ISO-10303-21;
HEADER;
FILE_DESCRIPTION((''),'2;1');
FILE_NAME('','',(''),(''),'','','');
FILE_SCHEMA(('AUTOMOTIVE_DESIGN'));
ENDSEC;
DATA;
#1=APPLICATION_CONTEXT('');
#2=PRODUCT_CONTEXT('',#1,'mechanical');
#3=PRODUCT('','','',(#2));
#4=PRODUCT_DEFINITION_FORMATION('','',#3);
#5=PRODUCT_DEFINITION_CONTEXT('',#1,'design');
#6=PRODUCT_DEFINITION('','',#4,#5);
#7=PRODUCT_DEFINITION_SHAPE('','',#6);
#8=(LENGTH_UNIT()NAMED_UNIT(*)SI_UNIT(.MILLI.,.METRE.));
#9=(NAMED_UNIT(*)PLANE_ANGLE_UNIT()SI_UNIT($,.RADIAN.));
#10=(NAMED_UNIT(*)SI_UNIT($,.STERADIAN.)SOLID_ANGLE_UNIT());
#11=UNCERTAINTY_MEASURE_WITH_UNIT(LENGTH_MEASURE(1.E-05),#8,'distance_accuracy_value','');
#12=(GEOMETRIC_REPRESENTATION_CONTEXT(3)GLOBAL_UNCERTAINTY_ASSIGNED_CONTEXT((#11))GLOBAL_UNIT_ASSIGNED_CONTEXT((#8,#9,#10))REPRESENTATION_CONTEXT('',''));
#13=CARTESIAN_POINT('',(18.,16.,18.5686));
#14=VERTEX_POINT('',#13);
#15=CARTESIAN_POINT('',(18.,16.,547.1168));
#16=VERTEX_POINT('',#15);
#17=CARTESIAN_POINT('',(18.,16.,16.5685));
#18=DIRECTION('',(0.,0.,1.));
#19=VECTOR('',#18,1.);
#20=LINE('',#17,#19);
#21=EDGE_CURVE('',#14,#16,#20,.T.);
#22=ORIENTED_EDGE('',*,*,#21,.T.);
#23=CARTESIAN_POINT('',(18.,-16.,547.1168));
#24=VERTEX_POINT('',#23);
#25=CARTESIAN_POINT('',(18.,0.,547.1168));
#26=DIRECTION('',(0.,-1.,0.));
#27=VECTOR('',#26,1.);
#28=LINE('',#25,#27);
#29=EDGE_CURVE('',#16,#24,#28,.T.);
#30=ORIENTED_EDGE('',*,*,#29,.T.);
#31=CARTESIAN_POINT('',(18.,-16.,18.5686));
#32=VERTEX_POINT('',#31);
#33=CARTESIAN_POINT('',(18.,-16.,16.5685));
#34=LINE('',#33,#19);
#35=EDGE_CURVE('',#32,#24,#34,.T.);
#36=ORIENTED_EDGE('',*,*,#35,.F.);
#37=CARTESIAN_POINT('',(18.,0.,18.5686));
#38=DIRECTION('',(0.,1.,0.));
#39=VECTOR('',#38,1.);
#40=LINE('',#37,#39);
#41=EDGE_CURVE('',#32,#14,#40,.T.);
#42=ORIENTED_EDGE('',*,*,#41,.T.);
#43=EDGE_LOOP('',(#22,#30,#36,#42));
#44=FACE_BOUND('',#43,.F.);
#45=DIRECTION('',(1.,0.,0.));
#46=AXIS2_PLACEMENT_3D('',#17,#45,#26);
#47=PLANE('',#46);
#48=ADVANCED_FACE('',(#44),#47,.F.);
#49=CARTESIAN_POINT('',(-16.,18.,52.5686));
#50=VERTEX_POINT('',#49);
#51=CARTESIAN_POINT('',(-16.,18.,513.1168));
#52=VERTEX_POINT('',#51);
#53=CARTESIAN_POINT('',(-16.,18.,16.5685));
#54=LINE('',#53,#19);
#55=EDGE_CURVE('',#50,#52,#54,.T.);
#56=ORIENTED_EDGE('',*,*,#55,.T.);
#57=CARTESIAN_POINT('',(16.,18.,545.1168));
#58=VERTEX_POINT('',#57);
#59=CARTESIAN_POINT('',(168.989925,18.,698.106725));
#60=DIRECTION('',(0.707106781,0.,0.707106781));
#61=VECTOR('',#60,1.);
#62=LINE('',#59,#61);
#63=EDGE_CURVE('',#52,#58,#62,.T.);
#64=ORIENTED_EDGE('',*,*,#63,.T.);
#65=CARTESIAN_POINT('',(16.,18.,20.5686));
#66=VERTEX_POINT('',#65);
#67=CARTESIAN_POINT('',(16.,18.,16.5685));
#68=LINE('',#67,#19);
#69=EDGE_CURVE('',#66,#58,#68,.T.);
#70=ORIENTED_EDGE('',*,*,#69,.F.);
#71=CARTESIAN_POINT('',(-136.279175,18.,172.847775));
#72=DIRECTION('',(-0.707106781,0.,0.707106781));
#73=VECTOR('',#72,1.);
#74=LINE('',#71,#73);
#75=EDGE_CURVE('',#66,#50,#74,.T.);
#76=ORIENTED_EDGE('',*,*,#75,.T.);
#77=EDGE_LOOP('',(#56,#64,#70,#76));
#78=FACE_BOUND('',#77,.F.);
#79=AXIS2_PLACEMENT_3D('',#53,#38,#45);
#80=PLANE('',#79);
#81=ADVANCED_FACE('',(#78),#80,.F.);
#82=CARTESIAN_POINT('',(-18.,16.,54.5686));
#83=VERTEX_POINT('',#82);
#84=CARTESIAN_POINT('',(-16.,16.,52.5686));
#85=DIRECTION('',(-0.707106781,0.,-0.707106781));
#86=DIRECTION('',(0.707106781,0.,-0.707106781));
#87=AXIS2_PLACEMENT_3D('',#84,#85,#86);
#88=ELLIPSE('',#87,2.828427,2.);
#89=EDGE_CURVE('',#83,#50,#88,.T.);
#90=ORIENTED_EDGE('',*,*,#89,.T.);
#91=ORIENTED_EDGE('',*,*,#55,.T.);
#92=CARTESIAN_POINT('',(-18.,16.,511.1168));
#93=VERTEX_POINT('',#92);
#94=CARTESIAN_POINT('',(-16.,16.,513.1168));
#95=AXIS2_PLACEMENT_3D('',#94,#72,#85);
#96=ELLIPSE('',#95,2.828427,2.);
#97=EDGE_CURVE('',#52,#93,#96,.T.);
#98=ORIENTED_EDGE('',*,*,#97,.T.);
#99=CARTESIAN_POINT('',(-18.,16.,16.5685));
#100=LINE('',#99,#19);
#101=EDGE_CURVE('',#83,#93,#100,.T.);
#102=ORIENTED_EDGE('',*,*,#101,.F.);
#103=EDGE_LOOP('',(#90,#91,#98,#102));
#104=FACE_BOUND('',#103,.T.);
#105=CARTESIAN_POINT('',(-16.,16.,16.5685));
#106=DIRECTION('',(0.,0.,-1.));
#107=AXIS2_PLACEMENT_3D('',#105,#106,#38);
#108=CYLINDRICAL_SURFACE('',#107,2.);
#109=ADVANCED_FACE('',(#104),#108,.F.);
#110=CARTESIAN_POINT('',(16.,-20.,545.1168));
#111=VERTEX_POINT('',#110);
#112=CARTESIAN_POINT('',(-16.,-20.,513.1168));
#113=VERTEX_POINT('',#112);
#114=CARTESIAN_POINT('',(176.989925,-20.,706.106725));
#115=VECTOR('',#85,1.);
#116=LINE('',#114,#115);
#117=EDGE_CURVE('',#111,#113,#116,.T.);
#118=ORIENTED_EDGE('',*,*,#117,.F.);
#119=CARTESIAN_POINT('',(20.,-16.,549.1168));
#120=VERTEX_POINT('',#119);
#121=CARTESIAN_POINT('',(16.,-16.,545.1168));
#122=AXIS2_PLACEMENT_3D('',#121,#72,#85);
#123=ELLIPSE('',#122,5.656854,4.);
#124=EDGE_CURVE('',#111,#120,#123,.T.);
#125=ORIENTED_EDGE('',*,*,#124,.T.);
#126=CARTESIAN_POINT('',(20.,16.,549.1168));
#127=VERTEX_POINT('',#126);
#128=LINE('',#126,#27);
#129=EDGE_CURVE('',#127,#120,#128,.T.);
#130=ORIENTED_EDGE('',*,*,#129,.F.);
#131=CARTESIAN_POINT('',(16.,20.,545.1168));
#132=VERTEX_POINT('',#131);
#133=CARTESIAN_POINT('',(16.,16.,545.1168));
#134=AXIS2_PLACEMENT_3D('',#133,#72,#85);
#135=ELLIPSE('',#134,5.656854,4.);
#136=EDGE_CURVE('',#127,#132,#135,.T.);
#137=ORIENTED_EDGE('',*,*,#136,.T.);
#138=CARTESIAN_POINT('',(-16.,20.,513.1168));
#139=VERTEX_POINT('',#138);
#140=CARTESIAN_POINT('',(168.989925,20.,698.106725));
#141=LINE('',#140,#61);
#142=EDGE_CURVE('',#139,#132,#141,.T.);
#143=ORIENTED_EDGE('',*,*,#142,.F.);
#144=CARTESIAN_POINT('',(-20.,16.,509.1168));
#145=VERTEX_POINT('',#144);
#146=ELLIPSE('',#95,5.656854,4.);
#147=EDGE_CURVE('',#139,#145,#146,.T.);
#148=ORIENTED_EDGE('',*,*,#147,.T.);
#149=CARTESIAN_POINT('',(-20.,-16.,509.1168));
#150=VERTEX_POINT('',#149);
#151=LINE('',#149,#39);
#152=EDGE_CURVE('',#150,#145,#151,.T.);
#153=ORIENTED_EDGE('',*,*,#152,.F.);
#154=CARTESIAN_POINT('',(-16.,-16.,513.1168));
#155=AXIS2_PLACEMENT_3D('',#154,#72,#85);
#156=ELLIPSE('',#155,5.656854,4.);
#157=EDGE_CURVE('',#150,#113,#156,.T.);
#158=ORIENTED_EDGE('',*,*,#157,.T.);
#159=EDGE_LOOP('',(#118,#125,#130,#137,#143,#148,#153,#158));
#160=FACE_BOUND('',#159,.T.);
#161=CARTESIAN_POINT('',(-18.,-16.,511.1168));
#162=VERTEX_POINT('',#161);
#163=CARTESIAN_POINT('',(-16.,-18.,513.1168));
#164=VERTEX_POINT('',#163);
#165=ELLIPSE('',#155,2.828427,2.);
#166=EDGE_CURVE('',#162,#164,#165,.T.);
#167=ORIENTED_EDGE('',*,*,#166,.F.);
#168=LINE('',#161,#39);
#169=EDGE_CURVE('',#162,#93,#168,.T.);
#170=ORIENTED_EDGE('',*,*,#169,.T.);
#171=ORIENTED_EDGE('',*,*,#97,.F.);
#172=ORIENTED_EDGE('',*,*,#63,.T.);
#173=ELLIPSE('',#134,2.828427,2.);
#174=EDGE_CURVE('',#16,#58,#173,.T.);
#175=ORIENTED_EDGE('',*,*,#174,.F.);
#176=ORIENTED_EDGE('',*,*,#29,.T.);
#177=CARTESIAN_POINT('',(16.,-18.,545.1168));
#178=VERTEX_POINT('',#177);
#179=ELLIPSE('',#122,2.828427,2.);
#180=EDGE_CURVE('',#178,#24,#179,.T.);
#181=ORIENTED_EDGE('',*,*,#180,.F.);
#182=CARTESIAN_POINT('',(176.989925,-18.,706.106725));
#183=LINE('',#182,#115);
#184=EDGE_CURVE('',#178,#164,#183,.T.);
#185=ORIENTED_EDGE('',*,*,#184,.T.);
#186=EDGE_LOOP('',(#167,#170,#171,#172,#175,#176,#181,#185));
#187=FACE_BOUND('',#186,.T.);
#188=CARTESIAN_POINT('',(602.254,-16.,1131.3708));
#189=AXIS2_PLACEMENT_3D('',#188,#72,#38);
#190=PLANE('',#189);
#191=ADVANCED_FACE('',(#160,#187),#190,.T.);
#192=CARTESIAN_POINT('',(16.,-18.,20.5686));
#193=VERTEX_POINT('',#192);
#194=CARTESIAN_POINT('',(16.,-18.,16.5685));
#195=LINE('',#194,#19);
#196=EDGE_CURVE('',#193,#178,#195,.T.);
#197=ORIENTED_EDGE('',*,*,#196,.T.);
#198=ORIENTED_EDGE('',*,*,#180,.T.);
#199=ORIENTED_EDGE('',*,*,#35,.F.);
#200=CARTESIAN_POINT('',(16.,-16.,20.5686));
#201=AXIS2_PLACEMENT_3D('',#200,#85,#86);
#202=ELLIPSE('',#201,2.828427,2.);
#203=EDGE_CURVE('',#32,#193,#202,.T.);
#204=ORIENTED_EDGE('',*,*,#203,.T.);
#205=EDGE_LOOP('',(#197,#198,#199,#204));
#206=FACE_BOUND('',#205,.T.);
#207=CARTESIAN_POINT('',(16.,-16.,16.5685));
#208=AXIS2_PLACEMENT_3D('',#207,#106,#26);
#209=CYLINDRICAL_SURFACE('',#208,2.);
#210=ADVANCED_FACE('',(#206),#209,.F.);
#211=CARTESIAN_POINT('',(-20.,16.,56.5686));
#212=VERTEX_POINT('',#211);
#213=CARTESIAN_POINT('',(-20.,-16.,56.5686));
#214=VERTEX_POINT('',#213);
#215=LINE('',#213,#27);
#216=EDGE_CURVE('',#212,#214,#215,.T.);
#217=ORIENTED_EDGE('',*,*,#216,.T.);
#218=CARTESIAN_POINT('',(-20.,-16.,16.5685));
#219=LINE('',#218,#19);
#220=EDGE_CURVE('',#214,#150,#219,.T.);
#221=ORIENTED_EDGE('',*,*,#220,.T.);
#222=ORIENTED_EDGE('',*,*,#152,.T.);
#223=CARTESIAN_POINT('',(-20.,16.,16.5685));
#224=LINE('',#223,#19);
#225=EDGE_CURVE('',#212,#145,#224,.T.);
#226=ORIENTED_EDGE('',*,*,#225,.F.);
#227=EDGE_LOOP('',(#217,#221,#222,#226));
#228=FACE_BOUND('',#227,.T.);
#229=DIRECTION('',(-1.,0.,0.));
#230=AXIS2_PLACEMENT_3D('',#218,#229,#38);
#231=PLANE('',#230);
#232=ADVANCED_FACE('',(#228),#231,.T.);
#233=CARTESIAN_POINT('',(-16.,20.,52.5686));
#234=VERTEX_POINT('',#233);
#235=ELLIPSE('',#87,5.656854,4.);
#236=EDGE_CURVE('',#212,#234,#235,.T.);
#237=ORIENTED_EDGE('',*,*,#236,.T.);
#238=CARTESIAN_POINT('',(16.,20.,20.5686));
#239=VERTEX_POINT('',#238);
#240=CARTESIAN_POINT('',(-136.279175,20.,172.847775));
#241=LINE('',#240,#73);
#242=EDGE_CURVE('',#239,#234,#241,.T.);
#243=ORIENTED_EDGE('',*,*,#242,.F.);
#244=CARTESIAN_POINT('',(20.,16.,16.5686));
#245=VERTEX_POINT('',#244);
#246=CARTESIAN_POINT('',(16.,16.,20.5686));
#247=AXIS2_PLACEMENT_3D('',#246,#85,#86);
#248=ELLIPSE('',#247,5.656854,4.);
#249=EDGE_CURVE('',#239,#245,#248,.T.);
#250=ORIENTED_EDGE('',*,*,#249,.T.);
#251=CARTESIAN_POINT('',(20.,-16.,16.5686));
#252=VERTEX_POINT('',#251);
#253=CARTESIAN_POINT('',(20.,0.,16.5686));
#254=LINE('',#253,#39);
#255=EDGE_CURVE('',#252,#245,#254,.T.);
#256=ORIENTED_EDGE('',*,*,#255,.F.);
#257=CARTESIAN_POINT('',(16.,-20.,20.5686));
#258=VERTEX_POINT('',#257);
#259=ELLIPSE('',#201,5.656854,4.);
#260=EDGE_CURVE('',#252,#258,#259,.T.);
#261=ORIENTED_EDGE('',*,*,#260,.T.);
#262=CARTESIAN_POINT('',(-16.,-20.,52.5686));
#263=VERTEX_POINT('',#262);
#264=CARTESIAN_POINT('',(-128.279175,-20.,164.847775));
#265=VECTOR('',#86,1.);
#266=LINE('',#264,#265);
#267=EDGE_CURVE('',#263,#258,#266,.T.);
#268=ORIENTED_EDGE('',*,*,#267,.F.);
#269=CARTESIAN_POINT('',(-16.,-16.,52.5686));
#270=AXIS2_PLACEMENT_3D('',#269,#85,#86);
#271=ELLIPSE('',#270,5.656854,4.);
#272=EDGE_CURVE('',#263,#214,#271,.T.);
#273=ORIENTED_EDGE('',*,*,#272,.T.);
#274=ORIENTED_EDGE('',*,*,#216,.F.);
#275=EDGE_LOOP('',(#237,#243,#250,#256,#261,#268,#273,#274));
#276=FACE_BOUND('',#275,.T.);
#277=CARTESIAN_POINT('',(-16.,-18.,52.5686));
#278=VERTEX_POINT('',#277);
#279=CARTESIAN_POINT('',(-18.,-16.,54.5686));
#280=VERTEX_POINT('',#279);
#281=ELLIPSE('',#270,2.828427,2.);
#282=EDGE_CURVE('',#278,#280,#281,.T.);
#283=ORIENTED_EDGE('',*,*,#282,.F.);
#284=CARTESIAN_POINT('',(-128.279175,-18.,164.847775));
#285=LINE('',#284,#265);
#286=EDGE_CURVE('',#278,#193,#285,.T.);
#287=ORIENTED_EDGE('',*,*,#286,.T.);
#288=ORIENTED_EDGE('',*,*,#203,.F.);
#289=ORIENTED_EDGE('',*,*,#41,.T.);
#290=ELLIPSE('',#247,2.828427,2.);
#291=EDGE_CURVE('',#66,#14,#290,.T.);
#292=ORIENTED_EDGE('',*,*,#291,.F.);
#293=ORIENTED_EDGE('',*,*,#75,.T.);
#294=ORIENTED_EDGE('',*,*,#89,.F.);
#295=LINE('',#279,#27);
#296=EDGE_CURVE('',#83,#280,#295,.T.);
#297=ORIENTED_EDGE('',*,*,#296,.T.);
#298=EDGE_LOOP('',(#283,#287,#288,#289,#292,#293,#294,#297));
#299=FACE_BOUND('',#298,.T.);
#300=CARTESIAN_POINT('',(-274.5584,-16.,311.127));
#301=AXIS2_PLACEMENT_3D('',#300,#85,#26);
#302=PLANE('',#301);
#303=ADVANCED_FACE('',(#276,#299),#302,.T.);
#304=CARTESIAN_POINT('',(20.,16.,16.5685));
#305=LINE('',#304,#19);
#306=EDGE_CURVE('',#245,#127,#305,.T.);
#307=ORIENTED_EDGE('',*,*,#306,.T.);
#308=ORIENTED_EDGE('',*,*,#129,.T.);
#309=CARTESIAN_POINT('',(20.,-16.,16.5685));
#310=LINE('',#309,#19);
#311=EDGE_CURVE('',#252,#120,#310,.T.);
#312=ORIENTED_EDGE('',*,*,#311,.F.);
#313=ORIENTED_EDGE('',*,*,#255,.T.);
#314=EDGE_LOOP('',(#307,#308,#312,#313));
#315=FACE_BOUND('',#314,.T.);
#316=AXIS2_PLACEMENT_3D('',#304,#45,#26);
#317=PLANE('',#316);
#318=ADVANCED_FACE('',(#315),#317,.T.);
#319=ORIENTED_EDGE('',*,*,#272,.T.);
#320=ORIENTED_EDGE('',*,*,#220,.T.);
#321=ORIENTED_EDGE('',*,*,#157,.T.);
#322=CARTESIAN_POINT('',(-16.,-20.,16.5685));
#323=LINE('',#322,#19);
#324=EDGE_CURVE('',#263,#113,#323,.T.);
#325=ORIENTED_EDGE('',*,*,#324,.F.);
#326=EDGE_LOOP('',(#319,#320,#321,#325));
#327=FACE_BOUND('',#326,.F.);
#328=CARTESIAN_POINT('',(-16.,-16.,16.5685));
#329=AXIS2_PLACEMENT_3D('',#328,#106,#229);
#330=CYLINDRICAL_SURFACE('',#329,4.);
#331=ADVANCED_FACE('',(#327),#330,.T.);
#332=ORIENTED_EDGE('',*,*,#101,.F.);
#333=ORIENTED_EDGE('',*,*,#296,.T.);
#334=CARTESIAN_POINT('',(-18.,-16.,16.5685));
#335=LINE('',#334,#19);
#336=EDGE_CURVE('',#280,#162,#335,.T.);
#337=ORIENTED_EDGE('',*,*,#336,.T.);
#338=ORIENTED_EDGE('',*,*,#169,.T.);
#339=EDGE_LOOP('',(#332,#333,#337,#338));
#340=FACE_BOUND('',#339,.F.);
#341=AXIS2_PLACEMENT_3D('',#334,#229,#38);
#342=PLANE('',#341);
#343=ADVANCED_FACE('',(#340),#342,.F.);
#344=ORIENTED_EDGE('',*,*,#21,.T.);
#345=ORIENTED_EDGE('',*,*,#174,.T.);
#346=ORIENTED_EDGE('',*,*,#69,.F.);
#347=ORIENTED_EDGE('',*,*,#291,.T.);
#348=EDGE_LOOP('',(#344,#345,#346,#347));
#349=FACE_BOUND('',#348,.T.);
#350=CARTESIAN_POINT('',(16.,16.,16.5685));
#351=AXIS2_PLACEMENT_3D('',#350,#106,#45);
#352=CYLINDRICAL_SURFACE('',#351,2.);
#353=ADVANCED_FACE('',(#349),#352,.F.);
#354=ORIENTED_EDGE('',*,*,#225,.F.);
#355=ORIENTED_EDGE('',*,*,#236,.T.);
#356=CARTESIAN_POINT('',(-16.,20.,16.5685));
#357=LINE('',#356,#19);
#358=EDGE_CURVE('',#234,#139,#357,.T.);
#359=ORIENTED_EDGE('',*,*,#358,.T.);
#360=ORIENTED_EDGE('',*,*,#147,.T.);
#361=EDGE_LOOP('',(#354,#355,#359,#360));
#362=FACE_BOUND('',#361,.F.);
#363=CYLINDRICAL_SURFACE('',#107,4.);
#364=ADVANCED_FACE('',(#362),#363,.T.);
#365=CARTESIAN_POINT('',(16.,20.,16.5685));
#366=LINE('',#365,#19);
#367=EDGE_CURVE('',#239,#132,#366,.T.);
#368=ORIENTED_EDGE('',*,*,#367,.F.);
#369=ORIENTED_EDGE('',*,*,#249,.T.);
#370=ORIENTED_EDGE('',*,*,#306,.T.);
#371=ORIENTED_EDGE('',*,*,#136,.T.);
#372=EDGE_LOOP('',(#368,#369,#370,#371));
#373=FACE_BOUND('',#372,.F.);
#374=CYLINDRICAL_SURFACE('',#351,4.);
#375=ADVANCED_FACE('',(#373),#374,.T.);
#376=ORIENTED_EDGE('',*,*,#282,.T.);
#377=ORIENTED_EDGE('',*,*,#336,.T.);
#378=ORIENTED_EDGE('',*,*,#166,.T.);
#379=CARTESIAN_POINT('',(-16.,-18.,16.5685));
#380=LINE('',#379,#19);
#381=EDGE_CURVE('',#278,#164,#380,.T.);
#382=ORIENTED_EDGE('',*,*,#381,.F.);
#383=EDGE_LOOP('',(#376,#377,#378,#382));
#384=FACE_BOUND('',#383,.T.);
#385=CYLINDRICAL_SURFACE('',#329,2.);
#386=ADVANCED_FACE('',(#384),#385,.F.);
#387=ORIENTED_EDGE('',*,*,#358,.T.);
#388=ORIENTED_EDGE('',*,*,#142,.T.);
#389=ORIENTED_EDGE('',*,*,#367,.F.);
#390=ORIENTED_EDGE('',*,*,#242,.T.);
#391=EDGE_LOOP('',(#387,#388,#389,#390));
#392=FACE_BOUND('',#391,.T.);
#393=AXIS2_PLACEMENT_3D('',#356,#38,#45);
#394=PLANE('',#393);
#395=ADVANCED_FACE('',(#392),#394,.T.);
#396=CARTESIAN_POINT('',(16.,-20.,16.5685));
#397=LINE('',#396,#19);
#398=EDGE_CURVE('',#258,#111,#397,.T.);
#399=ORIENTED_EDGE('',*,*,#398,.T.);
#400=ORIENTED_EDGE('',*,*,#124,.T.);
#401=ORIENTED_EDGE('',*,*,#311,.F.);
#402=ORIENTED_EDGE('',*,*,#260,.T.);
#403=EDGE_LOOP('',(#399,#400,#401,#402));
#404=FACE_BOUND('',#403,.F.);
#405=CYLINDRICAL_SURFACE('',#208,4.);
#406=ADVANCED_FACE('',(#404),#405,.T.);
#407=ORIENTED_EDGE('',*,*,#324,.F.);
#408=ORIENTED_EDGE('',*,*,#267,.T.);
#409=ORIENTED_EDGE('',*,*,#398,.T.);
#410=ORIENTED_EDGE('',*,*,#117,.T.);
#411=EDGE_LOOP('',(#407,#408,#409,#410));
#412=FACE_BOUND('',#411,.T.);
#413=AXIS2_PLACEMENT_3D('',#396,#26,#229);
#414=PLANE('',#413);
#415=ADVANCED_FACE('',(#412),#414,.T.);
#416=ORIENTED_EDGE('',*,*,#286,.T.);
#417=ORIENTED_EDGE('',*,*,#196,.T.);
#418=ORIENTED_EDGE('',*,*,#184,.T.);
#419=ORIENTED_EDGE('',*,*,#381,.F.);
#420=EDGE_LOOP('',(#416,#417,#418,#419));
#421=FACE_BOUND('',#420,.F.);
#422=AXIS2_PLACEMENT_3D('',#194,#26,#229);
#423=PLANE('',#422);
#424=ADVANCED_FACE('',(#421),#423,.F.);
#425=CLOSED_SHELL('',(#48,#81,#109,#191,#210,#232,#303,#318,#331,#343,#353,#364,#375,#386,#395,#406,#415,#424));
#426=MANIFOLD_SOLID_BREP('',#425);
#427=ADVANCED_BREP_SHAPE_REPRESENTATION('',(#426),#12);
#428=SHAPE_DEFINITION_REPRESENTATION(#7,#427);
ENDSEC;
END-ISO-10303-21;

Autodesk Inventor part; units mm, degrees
ref_plane "Start Plane" through (0, 0, 16.5685) normal (0, 0, 1) x (1, 0, 0)
ref_plane "End Plane" through (0, 0, 549.1169) normal (0, 0, 1) x (1, 0, 0)
sketch "Sketch" plane through (0, 0, 0) normal (0, 0, 1) x (1, 0, 0)
  line L0 (-20, -16) -> (-20, 16)
  line L1 (-16, 20) -> (16, 20)
  line L2 (20, 16) -> (20, -16)
  line L3 (16, -20) -> (-16, -20)
  arc A0 (-20, -16) -> (-16, -20) centre (-16, -16) ccw
  arc A1 (20, 16) -> (16, 20) centre (16, 16) ccw
  arc A2 (-16, 20) -> (-20, 16) centre (-16, 16) ccw
  arc A3 (16, -20) -> (20, -16) centre (16, -16) ccw
  arc A4 (-16, 18) -> (-18, 16) centre (-16, 16) ccw
  line L4 (-16, 18) -> (16, 18)
  arc A5 (18, 16) -> (16, 18) centre (16, 16) ccw
  line L5 (18, 16) -> (18, -16)
  arc A6 (16, -18) -> (18, -16) centre (16, -16) ccw
  line L6 (16, -18) -> (-16, -18)
  arc A7 (-18, -16) -> (-16, -18) centre (-16, -16) ccw
  line L7 (-18, -16) -> (-18, 16)
  line L8 (0, 29.1598) -> (0, -29.1598) construction
  line L9 (-29.1598, 0) -> (29.1598, 0) construction
  dimension "d7" = 4
  dimension "d9" = 40
  dimension "d11" = 40
  dimension "d12" = 2
  dimension "d15" = 20
  dimension "d16" = 20
extrude "Body" add sketch "Sketch" along normal up to surface (532.5483 mm away) from surface at 16.5685
sketch "Sketch3" plane through (0, 0, 0) normal (0, 0, 1) x (1, 0, 0)
  line L0 (0, 0) -> (10, 0)
ref_plane "Work Plane3" through (0, 0, 0) normal (0, -1, 0) x (1, 0, 0)
ref_plane "Work Plane4" through (-274.5584, -16, 311.127) normal (-0.7071, 0, -0.7071) x (-0.7071, 0, 0.7071)
split "Split1" plane through (-274.5584, -16, 311.127) removes the side toward (-0.7071, 0, -0.7071)
ref_plane "Work Plane5" through (602.254, -16, 1131.3708) normal (-0.7071, 0, 0.7071) x (0.7071, 0, 0.7071)
split "Split2" plane through (602.254, -16, 1131.3708) removes the side toward (-0.7071, 0, 0.7071)
sketch "Sketch4" plane through (0, 0, 0) normal (0, -1, 0) x (1, 0, 0)
  line L0 (-2, 16.5685) -> (12, 16.5685) projected
  line L1 (-2, 549.1169) -> (12, 549.1169) projected
  dimension "d18" = 532.5483
equation "\"d7\" = G_IR"
equation "\"d9\" = G_W"
equation "\"d11\" = G_H"
equation "\"d12\" = G_T"
equation "\"d15\" = 0.5 * d9"
equation "\"d16\" = 0.5 * d11"
equation "\"d3\" = G_L"
equation "\"G_W\" = 40"
equation "\"G_H\" = 40"
equation "\"G_T\" = 2"
equation "\"G_IR\" = 4"
equation "\"G_L\" = d18"
equation "\"G_OFFSET_START\" = -16.56854"
equation "\"G_OFFSET_END\" = -16.56854"
equation "\"d13\" = -G_OFFSET_START"
equation "\"d14\" = G_OFFSET_END + B_L"
equation "\"B_L\" = 565.68542"
properties part number "ISO 10799-2 - 40x40x2 - 532.55" material "Stainless Steel"
